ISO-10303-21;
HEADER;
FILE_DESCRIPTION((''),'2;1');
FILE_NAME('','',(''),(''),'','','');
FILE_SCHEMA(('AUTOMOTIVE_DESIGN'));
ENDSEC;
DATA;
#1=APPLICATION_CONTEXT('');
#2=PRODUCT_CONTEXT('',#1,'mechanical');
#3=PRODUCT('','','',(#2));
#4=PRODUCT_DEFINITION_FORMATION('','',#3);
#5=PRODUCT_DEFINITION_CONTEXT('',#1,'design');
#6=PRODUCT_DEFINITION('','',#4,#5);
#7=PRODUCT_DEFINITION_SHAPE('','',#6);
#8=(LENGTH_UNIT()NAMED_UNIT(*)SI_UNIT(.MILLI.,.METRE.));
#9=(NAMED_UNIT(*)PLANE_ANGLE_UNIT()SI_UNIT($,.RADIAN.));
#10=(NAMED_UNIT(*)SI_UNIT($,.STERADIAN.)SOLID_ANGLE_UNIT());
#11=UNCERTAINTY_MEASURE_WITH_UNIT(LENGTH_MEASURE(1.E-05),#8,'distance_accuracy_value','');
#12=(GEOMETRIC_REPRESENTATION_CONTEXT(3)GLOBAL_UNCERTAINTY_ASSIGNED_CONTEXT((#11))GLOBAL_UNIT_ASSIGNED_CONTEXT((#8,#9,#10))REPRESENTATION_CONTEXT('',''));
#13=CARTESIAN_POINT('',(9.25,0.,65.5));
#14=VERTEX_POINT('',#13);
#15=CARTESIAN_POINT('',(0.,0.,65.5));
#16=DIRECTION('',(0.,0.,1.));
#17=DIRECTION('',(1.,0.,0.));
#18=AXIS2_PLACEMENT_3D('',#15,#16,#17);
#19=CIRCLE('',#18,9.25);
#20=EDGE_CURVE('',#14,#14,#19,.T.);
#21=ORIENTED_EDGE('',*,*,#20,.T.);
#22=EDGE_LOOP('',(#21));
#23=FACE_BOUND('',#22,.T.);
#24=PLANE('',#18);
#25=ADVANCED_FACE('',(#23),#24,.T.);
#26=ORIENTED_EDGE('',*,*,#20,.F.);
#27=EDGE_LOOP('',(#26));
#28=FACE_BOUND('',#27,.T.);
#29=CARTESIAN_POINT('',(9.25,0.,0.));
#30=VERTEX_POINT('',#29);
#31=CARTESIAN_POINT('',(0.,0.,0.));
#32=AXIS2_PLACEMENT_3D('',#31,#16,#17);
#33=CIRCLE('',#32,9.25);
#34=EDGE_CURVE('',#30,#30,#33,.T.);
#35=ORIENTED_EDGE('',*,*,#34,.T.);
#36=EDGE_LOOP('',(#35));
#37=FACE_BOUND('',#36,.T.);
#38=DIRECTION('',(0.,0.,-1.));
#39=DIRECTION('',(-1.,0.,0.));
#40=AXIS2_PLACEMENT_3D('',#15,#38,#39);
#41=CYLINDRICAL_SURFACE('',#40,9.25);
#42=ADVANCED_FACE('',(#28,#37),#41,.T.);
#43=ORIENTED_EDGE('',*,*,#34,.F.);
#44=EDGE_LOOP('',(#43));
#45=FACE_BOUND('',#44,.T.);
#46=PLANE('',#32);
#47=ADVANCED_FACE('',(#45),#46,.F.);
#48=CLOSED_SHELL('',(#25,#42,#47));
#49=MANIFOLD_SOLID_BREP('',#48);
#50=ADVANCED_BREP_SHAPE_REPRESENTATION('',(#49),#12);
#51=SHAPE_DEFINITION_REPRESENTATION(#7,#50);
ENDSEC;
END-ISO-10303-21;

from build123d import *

# Parameters (mm, degrees)
SKETCH1_R           = 9.25
BOSS_EXTRUDE1_DEPTH = 65.5


with BuildPart() as part:
    # Sketch1 → Boss-Extrude1 (new body)
    with BuildSketch(Plane.XY):
        Circle(SKETCH1_R)
    extrude(amount=BOSS_EXTRUDE1_DEPTH)


solid = part.part
